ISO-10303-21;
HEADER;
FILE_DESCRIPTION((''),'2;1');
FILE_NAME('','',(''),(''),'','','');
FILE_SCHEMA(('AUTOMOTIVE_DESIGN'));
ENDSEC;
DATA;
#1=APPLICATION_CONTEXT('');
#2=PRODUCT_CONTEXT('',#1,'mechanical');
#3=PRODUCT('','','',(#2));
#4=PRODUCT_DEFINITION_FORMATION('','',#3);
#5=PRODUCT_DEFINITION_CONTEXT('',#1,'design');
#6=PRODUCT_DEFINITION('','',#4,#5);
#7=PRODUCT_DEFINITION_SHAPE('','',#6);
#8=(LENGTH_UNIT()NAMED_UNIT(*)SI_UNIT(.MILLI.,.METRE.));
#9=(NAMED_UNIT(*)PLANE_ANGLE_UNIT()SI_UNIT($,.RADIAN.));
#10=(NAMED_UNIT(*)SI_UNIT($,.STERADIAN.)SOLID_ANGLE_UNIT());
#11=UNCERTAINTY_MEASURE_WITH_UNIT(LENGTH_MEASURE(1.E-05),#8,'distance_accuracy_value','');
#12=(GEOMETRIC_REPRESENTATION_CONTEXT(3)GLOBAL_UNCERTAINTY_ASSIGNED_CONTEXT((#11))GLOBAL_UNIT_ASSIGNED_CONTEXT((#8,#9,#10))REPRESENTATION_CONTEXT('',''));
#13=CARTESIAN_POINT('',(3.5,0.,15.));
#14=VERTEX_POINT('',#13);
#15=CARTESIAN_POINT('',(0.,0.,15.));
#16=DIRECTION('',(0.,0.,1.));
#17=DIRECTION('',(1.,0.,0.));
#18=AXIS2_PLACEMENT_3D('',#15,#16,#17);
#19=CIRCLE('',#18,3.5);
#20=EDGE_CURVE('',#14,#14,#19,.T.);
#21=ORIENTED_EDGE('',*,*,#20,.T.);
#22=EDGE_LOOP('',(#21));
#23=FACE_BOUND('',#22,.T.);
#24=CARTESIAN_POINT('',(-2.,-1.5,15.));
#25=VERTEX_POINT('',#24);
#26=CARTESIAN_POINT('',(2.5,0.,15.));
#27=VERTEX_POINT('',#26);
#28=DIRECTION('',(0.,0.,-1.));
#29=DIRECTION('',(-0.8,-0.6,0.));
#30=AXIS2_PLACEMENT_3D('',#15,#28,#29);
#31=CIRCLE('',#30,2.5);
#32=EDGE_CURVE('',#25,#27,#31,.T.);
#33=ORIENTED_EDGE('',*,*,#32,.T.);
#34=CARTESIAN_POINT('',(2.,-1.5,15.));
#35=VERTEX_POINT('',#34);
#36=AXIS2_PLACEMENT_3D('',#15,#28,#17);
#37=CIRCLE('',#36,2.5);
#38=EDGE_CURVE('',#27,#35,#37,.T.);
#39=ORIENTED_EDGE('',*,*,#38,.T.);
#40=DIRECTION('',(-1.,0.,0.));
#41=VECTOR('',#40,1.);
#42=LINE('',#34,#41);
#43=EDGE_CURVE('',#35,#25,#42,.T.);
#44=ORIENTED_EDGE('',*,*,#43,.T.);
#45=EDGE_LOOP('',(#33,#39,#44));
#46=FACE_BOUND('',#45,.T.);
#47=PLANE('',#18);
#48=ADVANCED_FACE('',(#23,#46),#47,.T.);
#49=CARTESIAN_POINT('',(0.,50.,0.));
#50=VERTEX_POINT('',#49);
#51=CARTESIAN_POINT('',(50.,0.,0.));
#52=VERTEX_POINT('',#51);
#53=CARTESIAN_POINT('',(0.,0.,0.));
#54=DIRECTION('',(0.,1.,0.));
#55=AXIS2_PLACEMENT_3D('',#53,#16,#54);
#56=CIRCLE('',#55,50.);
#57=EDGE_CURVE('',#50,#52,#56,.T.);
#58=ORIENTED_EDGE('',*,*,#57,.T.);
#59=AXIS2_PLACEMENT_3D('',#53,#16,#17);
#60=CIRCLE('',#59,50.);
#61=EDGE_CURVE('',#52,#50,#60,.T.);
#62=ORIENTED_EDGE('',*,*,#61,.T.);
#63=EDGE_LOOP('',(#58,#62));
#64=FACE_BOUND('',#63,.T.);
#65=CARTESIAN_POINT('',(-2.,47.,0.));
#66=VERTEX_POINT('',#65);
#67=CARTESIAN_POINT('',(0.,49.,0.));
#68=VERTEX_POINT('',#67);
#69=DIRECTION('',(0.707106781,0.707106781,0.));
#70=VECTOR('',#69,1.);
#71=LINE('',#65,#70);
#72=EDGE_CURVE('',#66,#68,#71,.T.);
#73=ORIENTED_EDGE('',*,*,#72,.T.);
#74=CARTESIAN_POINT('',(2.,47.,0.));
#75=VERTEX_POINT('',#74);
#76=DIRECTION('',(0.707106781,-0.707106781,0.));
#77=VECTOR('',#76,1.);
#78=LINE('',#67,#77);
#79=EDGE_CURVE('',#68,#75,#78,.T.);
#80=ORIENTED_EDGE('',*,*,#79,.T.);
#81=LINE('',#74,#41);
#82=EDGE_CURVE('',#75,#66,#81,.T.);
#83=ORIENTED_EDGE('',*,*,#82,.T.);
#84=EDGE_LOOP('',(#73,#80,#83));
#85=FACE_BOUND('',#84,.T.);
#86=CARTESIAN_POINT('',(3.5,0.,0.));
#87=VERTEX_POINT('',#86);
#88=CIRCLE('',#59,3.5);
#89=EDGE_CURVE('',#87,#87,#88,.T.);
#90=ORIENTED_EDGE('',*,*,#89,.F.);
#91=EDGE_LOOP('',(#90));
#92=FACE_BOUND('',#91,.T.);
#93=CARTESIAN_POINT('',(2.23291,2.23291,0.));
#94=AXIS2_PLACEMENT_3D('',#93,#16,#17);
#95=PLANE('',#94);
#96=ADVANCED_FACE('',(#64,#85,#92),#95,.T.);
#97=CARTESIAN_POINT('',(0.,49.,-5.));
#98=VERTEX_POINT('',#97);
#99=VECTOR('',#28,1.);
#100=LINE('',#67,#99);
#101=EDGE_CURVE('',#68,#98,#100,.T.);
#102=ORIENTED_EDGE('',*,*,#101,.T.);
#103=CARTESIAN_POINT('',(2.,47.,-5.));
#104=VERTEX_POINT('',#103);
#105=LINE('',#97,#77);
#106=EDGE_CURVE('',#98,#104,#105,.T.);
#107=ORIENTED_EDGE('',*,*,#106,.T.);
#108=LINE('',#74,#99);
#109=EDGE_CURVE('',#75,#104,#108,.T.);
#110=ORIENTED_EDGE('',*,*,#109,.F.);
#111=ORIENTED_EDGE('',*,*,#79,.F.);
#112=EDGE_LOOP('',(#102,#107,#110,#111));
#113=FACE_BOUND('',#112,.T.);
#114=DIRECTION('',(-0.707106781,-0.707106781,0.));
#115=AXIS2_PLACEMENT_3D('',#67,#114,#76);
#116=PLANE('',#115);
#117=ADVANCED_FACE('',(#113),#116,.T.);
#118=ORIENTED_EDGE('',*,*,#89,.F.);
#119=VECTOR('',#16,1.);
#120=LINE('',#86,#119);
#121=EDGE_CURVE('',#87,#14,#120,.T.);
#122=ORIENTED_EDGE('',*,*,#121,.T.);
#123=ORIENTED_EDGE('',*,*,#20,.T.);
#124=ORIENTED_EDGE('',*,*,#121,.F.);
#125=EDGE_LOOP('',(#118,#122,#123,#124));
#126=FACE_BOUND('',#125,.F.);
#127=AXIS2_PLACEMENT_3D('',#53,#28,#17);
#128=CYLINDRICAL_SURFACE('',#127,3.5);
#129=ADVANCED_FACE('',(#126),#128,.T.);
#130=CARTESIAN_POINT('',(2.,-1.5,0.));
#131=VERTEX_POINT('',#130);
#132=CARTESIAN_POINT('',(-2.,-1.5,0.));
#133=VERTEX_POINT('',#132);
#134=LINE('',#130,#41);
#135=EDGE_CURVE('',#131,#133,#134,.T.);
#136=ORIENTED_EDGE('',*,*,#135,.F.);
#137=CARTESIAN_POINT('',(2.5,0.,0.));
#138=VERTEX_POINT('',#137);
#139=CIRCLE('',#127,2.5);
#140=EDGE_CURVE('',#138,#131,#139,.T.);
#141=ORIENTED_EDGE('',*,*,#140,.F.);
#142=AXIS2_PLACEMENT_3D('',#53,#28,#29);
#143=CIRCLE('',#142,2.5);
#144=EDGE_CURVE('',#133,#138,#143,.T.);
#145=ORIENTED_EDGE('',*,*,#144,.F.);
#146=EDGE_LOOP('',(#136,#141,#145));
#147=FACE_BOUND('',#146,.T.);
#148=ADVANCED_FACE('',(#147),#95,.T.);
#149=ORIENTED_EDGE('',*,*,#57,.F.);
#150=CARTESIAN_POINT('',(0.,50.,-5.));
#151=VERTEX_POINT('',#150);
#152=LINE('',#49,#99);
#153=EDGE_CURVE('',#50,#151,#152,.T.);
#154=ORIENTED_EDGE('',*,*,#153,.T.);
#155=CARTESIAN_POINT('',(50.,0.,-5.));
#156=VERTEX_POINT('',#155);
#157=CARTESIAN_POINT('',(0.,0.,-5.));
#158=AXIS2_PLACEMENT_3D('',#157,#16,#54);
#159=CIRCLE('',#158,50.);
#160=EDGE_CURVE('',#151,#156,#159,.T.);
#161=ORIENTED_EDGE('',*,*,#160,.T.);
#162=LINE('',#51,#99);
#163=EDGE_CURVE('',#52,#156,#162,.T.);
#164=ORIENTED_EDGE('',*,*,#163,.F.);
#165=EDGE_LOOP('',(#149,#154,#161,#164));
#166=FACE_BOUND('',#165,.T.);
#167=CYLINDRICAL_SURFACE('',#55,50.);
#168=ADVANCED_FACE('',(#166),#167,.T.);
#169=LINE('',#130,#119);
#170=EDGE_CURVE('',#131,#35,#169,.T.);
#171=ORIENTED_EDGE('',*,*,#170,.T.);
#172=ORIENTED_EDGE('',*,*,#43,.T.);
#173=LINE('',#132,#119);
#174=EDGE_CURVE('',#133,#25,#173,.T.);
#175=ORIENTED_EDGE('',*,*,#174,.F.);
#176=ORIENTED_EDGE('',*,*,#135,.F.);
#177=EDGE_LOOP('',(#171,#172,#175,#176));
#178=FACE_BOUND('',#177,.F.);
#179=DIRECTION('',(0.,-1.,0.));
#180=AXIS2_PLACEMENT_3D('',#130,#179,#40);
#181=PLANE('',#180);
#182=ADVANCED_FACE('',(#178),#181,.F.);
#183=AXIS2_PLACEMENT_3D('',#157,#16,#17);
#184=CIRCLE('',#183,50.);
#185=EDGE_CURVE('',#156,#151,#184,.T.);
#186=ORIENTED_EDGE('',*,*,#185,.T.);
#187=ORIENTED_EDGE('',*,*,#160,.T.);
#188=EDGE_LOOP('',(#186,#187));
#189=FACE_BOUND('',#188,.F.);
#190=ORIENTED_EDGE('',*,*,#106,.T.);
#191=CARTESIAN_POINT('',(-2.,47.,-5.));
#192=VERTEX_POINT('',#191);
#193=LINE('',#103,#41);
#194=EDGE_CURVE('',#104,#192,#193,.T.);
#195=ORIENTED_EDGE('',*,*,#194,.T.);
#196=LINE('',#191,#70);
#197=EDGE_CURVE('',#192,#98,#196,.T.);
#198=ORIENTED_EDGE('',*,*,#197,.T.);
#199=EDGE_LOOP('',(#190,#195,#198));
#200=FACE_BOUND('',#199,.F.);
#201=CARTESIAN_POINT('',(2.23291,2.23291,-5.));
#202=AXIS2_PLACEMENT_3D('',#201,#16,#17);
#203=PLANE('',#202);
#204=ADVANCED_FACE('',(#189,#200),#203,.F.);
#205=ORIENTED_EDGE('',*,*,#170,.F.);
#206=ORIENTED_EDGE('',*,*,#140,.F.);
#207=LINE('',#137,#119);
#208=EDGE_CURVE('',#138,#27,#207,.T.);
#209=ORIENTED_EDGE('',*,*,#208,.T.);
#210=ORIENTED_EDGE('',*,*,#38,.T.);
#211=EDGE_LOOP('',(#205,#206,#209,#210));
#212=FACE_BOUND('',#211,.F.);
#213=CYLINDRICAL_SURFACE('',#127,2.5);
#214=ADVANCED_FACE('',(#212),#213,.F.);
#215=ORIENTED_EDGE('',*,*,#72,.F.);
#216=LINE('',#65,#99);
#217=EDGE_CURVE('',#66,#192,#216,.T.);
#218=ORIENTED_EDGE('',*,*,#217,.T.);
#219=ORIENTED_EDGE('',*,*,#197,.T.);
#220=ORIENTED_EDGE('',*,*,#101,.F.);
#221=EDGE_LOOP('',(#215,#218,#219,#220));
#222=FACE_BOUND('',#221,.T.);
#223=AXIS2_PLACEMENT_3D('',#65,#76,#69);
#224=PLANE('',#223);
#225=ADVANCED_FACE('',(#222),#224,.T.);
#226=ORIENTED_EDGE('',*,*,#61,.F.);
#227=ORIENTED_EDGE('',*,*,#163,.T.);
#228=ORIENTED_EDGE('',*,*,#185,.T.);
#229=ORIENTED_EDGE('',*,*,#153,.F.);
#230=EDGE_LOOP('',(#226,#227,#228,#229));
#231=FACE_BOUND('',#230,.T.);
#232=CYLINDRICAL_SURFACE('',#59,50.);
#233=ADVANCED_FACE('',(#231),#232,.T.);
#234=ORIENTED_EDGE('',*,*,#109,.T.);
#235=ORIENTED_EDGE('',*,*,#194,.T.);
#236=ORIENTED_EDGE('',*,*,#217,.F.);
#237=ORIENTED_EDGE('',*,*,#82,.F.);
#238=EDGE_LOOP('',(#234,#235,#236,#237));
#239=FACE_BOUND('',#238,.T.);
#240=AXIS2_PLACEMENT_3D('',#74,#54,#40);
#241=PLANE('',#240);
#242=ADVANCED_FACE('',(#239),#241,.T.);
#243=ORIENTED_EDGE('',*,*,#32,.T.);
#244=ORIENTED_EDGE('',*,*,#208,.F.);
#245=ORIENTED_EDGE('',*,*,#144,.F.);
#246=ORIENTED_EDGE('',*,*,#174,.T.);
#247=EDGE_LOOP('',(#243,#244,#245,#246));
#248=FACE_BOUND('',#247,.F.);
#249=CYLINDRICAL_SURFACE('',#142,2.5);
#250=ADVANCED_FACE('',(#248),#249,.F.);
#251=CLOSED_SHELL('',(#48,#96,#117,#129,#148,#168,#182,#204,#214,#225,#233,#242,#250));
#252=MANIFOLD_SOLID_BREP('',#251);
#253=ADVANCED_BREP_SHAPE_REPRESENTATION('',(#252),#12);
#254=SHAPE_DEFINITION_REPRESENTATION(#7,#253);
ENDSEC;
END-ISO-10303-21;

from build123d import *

# Parameters (mm, degrees)
F0_R     = 3.5
F1_DEPTH = 15
F3_DEPTH = 5


with BuildPart() as f1:
    # F0 (on Top) → F1 (new body)
    with BuildSketch(Plane.XY):
        Circle(F0_R)
        with BuildLine():
            ThreePointArc((-2, -1.5), (-0.790569415, 2.3717082451), (2.5, 0))
            ThreePointArc((2.5, 0), (2.3717082451, -0.790569415), (2, -1.5))
            ThreePointArc((2, -1.5), (0, -2.5), (-2, -1.5))
        make_face(mode=Mode.SUBTRACT)
        with BuildLine():
            Line((0, -1.5), (-2, -1.5))
            ThreePointArc((-2, -1.5), (0, -2.5), (2, -1.5))
            Line((2, -1.5), (0, -1.5))
        make_face()
    extrude(amount=F1_DEPTH)

    # F2 (on Top) → F3 (join)
    with BuildSketch(Plane.XY):
        with BuildLine():
            ThreePointArc((0, 50), (-35.3553390593, -35.3553390593), (50, 0))
            ThreePointArc((50, 0), (35.3553390593, 35.3553390593), (0, 50))
        make_face()
        Polygon((-2, 47), (0, 49), (2, 47), (0, 47), align=None, mode=Mode.SUBTRACT)
    extrude(amount=-F3_DEPTH)


solid = f1.part
